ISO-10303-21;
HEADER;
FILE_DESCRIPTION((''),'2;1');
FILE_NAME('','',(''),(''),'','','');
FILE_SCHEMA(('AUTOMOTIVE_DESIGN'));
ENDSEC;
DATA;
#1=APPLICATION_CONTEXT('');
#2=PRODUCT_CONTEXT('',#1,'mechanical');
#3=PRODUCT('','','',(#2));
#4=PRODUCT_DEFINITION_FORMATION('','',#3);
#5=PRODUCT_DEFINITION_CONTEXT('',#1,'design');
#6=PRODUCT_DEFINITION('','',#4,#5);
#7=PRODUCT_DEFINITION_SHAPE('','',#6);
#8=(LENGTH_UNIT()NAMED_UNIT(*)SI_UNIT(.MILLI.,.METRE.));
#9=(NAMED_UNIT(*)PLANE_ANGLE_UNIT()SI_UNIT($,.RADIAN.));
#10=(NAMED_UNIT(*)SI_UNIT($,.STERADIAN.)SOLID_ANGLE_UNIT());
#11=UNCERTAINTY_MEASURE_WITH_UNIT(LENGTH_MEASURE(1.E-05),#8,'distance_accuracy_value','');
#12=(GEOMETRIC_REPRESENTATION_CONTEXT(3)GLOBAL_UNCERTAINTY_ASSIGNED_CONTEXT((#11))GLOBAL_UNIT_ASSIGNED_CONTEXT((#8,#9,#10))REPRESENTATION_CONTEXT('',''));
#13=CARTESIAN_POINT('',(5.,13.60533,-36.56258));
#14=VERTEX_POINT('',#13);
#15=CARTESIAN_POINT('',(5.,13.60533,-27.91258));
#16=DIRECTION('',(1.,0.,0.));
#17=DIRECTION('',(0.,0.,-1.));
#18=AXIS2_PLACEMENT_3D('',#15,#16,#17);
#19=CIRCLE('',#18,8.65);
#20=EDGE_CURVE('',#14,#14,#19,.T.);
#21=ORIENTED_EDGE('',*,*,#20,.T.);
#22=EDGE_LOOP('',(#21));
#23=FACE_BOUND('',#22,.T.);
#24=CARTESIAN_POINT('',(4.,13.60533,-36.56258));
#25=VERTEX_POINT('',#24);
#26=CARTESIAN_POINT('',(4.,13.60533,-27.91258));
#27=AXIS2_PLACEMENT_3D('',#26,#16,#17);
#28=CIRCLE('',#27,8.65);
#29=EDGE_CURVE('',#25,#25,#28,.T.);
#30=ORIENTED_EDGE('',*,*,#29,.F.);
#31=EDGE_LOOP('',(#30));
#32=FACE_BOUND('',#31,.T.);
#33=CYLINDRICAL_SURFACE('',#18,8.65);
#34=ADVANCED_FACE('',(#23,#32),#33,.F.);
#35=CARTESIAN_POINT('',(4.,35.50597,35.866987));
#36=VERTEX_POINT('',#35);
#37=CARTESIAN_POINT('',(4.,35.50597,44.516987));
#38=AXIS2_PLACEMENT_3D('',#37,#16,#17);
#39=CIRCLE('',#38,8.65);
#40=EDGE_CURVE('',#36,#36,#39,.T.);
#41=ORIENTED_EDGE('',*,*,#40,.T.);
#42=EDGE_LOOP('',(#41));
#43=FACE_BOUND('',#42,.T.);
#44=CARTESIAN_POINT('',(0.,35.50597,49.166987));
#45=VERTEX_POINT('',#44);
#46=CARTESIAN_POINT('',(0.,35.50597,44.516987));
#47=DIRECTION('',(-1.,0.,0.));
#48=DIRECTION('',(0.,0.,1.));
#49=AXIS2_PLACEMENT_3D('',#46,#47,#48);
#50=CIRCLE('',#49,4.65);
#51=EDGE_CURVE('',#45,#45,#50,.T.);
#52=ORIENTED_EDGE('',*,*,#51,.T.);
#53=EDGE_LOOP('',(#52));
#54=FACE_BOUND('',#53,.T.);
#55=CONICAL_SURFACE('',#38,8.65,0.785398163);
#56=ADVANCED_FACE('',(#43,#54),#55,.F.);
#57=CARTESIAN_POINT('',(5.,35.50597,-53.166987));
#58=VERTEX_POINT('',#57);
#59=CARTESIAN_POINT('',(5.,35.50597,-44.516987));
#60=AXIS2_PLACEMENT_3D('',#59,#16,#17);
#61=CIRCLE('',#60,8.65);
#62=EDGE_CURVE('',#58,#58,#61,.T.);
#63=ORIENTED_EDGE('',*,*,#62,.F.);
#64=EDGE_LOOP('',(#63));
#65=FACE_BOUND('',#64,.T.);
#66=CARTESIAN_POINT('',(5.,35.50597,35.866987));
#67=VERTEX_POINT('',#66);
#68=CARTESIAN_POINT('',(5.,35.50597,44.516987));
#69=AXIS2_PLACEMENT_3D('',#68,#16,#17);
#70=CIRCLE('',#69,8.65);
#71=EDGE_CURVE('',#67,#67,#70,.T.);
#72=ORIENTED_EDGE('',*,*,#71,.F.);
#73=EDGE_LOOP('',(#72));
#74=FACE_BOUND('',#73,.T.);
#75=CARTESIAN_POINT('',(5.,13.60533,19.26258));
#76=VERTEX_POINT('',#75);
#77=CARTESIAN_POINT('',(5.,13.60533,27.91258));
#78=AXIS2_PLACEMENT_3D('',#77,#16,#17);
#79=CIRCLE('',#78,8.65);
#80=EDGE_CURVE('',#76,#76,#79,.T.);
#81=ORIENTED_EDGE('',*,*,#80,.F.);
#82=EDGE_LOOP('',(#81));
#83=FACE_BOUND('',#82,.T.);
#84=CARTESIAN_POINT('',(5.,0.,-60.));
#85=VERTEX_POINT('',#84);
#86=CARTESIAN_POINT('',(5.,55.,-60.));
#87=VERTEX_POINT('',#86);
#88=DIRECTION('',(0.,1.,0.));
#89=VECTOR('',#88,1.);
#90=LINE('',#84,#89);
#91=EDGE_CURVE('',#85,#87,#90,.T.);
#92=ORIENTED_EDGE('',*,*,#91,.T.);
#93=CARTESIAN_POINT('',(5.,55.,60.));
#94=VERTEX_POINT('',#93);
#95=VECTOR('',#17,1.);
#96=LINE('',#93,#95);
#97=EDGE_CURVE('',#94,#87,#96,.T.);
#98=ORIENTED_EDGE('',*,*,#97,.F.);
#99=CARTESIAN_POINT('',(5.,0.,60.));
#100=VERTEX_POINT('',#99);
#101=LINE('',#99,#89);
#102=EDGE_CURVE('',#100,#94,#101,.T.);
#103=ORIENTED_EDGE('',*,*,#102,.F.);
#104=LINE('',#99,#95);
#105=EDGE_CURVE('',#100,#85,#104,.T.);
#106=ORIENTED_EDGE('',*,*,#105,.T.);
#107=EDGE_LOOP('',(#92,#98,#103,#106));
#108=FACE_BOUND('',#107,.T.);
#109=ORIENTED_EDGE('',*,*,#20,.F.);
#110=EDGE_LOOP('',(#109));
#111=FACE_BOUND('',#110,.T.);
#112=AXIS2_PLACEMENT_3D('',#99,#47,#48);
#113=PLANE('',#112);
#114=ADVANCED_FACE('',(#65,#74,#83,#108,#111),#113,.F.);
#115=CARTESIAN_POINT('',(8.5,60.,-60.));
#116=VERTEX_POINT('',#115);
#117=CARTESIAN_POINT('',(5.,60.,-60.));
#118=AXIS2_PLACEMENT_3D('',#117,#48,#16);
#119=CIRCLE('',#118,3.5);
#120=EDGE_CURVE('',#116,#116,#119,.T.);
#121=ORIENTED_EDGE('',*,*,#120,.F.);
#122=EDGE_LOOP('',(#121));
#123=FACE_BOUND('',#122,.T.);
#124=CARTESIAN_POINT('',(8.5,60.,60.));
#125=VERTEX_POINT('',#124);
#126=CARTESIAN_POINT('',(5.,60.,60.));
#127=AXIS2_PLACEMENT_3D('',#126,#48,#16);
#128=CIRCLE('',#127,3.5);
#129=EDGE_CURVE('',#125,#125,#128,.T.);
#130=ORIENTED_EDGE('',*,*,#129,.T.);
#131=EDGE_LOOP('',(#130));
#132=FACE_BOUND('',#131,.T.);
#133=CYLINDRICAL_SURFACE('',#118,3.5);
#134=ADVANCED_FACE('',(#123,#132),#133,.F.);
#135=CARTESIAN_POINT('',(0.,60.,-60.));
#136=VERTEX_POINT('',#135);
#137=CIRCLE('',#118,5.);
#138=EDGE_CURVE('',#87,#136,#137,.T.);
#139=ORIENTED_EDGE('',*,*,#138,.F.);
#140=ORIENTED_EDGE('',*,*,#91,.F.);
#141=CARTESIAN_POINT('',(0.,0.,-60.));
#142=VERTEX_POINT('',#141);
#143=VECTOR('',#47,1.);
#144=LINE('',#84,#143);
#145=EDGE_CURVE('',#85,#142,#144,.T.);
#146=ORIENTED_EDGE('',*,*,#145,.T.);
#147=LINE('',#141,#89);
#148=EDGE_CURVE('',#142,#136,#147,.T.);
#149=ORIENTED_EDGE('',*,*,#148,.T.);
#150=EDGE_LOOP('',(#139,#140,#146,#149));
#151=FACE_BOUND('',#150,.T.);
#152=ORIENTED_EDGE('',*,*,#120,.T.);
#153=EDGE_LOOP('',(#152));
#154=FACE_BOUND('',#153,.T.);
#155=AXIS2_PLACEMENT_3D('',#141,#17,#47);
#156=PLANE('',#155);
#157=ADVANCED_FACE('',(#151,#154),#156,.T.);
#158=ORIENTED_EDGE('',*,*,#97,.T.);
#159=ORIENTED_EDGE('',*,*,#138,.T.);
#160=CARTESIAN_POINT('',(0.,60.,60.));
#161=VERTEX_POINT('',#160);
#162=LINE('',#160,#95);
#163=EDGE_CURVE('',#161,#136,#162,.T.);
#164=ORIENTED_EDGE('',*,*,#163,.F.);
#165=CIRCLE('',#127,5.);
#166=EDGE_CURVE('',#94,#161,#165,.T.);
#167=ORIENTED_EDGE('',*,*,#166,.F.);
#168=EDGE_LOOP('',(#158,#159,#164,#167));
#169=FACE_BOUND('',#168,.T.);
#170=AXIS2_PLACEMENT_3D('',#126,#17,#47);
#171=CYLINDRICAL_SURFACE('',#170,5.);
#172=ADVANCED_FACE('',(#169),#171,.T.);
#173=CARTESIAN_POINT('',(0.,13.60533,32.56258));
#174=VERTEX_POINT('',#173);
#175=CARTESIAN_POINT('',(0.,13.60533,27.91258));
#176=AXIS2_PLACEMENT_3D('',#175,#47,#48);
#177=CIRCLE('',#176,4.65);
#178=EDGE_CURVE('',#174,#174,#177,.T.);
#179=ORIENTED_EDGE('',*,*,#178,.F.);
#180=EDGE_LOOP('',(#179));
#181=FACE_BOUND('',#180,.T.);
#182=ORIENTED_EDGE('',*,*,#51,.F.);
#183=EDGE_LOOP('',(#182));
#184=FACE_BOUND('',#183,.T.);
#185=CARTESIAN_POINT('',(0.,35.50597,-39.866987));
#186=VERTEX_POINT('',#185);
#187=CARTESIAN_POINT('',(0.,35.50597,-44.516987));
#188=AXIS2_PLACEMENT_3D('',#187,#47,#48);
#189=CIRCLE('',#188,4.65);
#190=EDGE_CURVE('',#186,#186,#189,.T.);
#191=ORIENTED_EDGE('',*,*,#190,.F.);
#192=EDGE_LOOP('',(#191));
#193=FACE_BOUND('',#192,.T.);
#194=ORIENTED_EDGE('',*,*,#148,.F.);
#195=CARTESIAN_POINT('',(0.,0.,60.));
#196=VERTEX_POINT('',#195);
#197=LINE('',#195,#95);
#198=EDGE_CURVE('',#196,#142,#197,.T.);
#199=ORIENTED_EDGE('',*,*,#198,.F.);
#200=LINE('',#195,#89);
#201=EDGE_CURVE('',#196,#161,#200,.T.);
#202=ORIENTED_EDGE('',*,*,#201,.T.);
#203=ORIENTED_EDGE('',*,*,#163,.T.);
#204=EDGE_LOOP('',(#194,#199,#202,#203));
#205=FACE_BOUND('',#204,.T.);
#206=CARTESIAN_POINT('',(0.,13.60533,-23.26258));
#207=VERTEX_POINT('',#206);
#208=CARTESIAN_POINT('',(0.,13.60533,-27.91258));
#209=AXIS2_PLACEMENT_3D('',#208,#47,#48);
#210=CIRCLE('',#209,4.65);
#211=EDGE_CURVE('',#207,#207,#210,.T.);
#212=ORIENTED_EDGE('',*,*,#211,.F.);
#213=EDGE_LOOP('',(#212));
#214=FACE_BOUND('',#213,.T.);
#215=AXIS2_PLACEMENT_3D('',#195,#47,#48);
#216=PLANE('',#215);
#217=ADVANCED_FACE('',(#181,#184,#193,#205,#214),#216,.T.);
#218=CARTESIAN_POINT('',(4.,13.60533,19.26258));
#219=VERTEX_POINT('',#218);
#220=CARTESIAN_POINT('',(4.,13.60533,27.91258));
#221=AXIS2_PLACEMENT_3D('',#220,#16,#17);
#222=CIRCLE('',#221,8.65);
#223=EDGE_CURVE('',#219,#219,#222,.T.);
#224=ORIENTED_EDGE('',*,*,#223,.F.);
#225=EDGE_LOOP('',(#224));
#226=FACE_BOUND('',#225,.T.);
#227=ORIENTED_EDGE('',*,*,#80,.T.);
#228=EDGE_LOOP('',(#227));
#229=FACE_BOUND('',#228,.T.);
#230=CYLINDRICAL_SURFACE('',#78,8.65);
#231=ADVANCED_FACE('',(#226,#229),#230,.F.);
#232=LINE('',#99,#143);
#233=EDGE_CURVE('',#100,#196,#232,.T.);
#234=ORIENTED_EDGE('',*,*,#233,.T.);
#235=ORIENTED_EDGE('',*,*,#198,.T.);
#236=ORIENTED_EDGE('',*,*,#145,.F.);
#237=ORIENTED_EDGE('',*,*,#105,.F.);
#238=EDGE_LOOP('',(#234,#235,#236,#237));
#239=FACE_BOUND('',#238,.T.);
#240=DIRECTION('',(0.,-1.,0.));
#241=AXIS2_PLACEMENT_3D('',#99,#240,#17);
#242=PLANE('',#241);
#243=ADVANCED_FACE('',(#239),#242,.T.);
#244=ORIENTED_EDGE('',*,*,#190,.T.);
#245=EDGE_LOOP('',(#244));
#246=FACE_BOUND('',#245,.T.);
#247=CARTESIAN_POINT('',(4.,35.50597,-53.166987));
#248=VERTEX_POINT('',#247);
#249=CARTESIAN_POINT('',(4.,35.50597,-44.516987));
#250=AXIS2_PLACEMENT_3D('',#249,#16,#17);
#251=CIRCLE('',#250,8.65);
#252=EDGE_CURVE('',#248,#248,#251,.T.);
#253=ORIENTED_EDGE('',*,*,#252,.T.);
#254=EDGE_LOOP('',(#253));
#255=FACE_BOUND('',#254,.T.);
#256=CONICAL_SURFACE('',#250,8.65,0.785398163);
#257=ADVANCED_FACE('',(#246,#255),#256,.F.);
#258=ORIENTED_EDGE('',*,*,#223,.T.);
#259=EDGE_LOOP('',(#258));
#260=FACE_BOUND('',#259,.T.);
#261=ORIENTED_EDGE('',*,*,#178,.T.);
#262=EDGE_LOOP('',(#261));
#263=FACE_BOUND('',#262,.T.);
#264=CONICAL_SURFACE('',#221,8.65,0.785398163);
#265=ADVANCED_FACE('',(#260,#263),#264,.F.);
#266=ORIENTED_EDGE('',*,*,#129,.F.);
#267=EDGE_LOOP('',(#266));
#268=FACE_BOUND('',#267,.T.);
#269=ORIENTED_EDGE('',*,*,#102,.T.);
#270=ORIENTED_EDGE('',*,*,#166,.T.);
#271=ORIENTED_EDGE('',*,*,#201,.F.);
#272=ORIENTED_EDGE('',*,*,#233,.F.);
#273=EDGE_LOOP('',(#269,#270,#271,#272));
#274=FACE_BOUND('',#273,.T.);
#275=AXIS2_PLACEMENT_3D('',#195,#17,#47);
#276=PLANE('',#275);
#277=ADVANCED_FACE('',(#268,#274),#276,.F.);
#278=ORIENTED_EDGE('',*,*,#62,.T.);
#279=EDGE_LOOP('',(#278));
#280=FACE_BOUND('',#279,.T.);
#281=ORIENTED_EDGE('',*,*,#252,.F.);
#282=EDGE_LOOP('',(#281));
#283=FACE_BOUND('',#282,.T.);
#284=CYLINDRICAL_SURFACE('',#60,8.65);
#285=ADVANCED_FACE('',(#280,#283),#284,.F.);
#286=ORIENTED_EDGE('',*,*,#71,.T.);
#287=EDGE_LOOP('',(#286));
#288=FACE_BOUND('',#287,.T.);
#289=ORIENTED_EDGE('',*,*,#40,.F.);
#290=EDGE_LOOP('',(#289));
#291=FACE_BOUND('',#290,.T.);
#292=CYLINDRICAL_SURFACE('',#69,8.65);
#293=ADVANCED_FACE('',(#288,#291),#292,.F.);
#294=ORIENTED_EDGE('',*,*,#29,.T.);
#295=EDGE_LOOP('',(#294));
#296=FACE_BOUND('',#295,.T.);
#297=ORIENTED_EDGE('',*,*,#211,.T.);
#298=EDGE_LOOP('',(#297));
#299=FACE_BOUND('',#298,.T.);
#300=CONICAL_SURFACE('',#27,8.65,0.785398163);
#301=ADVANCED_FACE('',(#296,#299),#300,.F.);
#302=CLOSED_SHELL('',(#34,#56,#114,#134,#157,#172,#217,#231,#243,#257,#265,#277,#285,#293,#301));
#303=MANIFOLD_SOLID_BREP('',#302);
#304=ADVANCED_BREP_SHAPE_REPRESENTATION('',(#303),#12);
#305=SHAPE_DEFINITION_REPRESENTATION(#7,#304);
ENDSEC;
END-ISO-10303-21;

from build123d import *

# Parameters (mm, degrees)
SKETCH2_W                                      = 5
SKETCH2_H                                      = 60
EXTRUDE_THIN1_DEPTH                            = 60
SKETCH3_R                                      = 5
SKETCH4_R                                      = 3.5
CUT_EXTRUDE1_DEPTH                             = 137.839321834
CSK_FOR_M8_FLAT_HEAD_MACHINE_SCREW1_AT_2_COUNT = 2
CSK_FOR_M8_FLAT_HEAD_MACHINE_SCREW1_AT_2_PITCH = 27.483528756


with BuildPart() as part:
    # Sketch2 → Extrude-Thin1 (new, symmetric)
    with BuildSketch(Plane.XY):
        with Locations((2.5, 30)):
            Rectangle(SKETCH2_W, SKETCH2_H)
    extrude(amount=EXTRUDE_THIN1_DEPTH, both=True)

    # Sweep11: sweep along a curve in space
    with BuildLine() as sweep11_path:
        Line((5, 60, 60), (5, 60, -60))
    # Sketch3 → Sweep11 (sweep)
    with BuildSketch(Plane.XY.offset(60)):
        with Locations((5, 60)):
            Circle(SKETCH3_R)
    sweep(path=sweep11_path.line)

    # Sketch4 → Cut-Extrude1 (cut, through all)
    with BuildSketch(Plane.XY.offset(60)):
        with Locations((5, 60)):
            Circle(SKETCH4_R)
    extrude(amount=-CUT_EXTRUDE1_DEPTH, mode=Mode.SUBTRACT)

    # Sketch6 → CSK for M8 Flat Head Machine Screw1 (revolve, cut)
    with BuildSketch(Plane(origin=(5, 35.505970187, 44.516987054), x_dir=(0, 0, -1), z_dir=(0, 1, 0))):
        Polygon((0, 0), (0, 5), (4.5, 5), (4.5, 5.15), (8.65, 1), (8.65, 0), align=None)
    csk_for_m8_flat_head_machine_screw1 = revolve(axis=Axis((11.35, 35.505970187, 44.516987054), (-1, 0, 0)), mode=Mode.SUBTRACT)

    # CSK for M8 Flat Head Machine Screw1 at 2: CSK for M8 Flat Head Machine Screw1 ×2
    with Locations(*[Vector(0, -0.7968641919109715, -0.604158472298514) * (i * CSK_FOR_M8_FLAT_HEAD_MACHINE_SCREW1_AT_2_PITCH) for i in range(1, CSK_FOR_M8_FLAT_HEAD_MACHINE_SCREW1_AT_2_COUNT)]):
        add(csk_for_m8_flat_head_machine_screw1, mode=Mode.SUBTRACT)

    # Mirror1: CSK for M8 Flat Head Machine Screw1 across plane
    add(csk_for_m8_flat_head_machine_screw1.mirror(Plane.XY), mode=Mode.SUBTRACT)

    # Mirror1 copy 1 sketch → Mirror1 copy 1 (revolve, cut)
    with BuildSketch(Plane(origin=(5, 13.605330254, -27.912580307), x_dir=(0, 0, 1), z_dir=(0, 1, 0))):
        Polygon((0, 0), (0, -5), (4.5, -5), (4.5, -5.15), (8.65, -1), (8.65, 0), align=None)
    revolve(axis=Axis((11.35, 13.605330254, -27.912580307), (1, 0, 0)), mode=Mode.SUBTRACT)


solid = part.part
